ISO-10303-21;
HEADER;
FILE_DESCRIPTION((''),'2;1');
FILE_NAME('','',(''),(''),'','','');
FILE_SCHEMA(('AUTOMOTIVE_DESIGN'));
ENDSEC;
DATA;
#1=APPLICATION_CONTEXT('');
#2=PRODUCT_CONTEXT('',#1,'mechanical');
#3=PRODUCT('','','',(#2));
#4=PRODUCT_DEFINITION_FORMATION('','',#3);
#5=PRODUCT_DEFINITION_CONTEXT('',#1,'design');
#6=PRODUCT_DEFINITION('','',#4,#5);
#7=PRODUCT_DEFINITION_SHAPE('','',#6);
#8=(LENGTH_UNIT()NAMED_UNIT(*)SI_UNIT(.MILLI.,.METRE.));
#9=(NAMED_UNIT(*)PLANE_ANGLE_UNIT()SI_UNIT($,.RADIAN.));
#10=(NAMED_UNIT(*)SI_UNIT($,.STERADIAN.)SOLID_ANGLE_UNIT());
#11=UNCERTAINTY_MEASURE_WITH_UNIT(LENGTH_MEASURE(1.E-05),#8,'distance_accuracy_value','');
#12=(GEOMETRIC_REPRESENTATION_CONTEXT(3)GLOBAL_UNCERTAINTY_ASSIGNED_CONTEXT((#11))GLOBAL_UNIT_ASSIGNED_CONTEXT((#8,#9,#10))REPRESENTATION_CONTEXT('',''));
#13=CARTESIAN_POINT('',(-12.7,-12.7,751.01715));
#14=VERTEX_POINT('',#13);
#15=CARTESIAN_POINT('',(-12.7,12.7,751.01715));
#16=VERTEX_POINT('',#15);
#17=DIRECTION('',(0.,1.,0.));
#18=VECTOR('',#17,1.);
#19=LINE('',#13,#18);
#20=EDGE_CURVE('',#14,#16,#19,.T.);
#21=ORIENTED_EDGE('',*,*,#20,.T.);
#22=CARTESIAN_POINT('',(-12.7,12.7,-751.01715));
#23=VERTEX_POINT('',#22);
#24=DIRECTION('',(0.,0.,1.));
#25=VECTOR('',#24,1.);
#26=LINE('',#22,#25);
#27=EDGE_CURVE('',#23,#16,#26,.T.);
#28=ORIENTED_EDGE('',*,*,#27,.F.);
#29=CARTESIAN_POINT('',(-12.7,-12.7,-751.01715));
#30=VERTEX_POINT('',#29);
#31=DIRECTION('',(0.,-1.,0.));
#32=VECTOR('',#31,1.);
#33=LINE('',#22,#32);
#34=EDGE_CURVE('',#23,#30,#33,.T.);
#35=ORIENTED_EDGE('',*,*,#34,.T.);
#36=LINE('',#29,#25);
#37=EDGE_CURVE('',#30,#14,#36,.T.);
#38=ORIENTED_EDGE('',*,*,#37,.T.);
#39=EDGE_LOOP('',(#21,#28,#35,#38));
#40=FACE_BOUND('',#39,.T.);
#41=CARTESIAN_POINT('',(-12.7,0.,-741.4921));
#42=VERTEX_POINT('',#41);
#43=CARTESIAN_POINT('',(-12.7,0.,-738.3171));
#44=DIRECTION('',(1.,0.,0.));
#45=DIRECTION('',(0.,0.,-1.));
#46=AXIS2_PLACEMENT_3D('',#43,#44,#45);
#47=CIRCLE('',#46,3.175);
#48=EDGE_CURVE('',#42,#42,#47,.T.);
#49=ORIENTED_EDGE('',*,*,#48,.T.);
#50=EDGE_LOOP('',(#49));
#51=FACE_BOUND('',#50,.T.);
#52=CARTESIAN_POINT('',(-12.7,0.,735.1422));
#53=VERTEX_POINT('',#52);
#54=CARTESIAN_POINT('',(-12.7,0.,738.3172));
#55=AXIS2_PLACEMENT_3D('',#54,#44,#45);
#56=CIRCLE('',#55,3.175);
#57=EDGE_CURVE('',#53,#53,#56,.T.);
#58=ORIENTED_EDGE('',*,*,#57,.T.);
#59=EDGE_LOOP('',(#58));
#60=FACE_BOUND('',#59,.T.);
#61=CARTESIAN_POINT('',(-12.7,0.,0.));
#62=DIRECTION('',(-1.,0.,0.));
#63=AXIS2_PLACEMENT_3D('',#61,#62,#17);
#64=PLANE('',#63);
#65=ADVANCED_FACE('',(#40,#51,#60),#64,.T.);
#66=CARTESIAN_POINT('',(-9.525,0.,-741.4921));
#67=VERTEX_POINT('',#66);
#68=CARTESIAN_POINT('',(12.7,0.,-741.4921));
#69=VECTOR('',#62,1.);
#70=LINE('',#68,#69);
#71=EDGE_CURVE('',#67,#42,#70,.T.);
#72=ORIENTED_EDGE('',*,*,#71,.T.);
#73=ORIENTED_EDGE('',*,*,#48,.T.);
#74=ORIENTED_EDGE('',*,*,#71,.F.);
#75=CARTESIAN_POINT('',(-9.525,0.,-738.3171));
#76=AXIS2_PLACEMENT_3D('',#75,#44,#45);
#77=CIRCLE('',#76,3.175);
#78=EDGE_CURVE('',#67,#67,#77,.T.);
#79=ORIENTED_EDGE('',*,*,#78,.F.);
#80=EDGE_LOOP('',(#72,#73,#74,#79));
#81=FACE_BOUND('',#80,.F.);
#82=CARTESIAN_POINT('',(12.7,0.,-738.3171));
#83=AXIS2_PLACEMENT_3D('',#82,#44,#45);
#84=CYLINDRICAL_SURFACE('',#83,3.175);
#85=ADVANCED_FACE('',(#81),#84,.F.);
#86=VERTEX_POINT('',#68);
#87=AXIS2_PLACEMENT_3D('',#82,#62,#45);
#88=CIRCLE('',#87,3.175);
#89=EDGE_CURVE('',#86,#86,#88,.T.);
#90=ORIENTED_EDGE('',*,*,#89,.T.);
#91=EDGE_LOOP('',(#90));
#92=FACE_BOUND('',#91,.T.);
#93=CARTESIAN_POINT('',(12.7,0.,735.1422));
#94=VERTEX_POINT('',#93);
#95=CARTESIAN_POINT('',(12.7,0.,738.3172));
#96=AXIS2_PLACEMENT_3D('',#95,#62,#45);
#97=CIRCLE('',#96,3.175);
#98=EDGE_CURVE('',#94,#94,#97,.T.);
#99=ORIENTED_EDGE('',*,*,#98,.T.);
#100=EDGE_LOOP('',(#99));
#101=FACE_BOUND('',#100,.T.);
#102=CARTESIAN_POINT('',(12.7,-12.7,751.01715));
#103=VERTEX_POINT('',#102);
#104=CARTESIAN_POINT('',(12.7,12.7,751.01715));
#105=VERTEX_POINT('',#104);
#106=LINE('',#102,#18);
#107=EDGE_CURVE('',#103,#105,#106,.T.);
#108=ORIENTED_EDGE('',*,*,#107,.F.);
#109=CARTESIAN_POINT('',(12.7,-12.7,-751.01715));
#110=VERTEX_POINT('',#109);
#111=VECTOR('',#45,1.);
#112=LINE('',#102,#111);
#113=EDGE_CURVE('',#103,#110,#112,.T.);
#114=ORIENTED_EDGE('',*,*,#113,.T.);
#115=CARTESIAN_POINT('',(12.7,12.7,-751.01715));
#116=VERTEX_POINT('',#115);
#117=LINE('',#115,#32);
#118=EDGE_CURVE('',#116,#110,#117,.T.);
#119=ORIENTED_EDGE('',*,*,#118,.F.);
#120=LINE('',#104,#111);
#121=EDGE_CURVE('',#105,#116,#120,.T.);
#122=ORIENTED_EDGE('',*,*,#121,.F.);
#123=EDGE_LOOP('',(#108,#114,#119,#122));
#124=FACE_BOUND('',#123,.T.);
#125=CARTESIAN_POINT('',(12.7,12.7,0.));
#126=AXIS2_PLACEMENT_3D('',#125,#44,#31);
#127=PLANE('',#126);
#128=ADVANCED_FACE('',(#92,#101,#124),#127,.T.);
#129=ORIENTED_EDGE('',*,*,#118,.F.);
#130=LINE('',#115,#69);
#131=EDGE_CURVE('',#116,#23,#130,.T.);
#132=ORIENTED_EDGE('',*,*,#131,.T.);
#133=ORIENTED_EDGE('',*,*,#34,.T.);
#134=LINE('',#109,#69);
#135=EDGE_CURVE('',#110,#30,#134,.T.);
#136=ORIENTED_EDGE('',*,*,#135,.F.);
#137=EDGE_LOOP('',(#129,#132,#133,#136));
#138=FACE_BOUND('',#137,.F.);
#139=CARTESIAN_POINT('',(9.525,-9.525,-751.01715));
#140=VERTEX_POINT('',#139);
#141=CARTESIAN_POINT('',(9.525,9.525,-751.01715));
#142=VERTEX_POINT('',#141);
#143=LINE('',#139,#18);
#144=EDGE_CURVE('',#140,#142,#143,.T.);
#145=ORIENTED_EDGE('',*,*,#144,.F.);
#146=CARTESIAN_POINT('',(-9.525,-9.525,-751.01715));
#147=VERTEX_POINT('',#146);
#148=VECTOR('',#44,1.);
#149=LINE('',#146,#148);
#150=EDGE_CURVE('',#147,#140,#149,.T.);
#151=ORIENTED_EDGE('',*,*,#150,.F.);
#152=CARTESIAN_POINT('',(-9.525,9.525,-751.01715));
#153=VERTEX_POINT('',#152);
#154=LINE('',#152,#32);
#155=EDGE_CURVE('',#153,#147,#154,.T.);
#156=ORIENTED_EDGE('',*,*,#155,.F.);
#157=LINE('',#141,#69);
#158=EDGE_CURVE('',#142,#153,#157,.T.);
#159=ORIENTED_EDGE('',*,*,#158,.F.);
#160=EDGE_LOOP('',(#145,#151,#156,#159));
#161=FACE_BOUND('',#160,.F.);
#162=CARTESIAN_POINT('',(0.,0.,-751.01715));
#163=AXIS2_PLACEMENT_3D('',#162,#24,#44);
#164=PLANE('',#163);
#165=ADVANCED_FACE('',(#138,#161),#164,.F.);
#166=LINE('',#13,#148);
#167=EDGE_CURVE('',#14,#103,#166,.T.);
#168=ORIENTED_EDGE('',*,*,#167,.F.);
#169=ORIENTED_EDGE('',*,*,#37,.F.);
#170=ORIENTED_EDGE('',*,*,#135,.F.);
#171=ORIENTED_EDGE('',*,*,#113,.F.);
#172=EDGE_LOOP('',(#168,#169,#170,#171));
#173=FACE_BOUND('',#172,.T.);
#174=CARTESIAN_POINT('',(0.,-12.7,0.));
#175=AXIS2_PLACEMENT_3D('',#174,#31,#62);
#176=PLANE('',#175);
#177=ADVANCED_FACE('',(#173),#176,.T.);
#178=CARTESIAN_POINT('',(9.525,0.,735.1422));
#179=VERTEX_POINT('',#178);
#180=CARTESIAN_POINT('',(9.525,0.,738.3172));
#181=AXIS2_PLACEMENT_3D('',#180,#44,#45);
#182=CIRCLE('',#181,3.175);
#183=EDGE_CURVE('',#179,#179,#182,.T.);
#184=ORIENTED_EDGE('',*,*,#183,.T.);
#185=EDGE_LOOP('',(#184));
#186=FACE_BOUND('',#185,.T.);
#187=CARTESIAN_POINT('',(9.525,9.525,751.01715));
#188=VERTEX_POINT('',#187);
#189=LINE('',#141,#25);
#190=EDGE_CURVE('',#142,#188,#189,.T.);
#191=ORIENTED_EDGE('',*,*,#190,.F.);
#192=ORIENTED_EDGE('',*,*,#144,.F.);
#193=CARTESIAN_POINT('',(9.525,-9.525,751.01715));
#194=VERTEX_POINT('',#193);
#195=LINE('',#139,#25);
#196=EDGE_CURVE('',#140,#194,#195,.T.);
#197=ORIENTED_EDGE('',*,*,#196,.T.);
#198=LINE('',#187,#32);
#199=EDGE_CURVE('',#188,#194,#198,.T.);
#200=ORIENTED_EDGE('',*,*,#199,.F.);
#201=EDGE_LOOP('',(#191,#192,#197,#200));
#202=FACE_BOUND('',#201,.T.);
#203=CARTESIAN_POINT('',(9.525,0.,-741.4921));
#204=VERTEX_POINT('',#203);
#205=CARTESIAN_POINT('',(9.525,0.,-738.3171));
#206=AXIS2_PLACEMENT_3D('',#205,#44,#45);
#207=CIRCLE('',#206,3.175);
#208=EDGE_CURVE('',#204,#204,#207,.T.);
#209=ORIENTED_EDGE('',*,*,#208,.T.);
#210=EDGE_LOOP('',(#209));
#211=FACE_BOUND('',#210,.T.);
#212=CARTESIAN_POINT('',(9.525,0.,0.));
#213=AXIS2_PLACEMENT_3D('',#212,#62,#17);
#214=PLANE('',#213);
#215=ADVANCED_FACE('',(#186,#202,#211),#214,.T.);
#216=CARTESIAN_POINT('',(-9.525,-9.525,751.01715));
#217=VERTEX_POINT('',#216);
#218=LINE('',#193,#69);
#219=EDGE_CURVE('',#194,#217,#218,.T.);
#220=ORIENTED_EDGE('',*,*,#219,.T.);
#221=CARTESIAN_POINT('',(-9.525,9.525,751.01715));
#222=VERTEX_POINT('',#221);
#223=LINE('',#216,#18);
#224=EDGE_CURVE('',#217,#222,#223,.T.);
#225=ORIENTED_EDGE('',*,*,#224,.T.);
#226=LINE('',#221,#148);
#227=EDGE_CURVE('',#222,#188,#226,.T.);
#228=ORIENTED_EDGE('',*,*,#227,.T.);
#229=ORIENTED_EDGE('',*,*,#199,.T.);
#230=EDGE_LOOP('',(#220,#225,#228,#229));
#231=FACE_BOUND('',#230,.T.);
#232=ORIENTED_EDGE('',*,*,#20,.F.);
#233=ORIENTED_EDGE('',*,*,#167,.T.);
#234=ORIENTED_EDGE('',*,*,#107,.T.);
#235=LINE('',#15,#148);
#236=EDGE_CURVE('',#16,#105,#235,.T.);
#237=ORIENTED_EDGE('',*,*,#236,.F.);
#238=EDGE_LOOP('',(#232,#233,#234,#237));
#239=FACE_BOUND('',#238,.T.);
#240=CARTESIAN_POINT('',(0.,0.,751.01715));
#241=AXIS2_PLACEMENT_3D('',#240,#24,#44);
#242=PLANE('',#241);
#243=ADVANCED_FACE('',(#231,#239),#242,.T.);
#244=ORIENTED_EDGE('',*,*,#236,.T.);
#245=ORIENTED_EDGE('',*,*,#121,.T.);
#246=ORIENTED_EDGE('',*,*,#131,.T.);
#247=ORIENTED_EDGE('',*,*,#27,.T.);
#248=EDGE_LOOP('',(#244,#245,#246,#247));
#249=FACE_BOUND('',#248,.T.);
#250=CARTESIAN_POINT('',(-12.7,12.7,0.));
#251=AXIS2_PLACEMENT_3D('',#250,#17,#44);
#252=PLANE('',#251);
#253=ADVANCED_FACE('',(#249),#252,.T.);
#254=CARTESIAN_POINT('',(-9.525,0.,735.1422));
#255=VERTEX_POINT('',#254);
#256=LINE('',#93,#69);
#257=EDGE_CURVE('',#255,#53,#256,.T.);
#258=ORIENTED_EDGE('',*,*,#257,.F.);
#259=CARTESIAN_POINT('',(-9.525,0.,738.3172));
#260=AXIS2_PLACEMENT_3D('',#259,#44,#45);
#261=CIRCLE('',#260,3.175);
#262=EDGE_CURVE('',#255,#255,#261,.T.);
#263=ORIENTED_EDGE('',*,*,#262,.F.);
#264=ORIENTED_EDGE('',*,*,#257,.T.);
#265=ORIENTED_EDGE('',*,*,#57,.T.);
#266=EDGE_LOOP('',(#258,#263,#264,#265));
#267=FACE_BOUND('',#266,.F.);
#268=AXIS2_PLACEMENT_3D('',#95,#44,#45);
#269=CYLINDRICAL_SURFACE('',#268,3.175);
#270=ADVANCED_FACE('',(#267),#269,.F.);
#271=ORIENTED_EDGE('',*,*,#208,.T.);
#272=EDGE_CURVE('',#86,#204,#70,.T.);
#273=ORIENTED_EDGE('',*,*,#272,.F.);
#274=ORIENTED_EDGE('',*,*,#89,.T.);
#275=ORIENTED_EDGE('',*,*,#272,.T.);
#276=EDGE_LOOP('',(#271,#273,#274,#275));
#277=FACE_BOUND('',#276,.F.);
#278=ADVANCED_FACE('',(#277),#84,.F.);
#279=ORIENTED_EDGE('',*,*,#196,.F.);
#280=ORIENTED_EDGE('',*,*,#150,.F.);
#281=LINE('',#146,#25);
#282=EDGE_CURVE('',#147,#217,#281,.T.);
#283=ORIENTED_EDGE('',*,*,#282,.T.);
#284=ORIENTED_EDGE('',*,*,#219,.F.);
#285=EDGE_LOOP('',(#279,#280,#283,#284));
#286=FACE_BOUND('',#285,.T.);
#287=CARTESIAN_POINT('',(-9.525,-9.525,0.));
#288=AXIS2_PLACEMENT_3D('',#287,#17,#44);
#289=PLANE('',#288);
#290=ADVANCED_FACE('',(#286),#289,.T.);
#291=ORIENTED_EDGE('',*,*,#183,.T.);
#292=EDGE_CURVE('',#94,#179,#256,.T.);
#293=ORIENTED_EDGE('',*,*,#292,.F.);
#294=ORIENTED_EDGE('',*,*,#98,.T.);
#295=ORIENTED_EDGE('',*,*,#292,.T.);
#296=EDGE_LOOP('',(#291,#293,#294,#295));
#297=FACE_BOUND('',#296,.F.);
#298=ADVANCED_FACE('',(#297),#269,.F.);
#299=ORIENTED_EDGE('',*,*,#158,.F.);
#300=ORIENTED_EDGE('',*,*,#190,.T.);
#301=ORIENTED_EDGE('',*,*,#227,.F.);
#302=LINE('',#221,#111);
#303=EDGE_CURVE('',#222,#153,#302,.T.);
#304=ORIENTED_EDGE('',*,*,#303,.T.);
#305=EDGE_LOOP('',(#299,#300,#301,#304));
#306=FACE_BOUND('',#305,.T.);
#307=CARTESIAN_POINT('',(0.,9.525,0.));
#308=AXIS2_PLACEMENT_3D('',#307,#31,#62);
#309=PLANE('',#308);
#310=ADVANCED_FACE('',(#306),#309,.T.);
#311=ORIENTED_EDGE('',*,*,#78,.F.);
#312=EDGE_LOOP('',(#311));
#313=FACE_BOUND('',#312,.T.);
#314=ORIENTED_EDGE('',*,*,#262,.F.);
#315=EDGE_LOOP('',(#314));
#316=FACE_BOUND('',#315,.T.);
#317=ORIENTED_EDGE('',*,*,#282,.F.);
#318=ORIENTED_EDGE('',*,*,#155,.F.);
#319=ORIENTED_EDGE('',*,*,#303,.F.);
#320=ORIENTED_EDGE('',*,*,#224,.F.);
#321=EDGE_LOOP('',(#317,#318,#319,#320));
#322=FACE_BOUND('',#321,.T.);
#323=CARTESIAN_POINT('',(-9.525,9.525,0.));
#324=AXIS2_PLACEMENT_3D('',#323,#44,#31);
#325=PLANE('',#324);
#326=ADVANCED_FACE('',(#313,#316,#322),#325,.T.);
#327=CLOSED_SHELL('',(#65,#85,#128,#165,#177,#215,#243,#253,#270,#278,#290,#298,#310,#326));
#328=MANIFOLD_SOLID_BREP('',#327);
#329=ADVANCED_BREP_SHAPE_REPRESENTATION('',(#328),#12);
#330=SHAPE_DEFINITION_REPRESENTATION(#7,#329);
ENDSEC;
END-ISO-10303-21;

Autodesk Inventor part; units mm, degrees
ref_plane "YZ Plane" through (0, 0, 0) normal (1, 0, 0) x (0, 1, 0)
ref_plane "XZ Plane" through (0, 0, 0) normal (0, 1, 0) x (-1, 0, 0)
ref_plane "XY Plane" through (0, 0, 0) normal (0, 0, 1) x (1, 0, 0)
sketch "Sketch1" plane through (0, 0, 0) normal (0, 0, 1) x (1, 0, 0)
  line L0 (-12.7, 12.7) -> (12.7, 12.7)
  line L1 (12.7, 12.7) -> (12.7, -12.7)
  line L2 (12.7, -12.7) -> (-12.7, -12.7)
  line L3 (-12.7, -12.7) -> (-12.7, 12.7)
  line L4 (0, 17.78) -> (0, -17.78) projected
  line L5 (-17.78, 0) -> (17.78, 0) projected
  line L6 (9.525, 9.525) -> (-9.525, 9.525)
  line L7 (-9.525, 9.525) -> (-9.525, -9.525)
  line L8 (-9.525, -9.525) -> (9.525, -9.525)
  line L9 (9.525, -9.525) -> (9.525, 9.525)
  point P0 (0, 0)
  dimension "d0" = 25.4
  dimension "d1" = 3.175
extrude "Extrusion1" add sketch "Sketch1" along normal mid plane 1502.0343 contours L0 L4 L6 L7 L5 L3 | L0 L1 L5 L9 L6 L4 | L5 L7 L8 L4 L2 L3 | L1 L2 L4 L8 L9 L5
sketch "Sketch2" plane through (12.7, 12.7, 751.0172) normal (1, 0, 0) x (0, 0, -1)
  line L0 (-300.4069, -12.7) -> (1802.4412, -12.7) projected
  line L1 (751.0172, -30.48) -> (751.0172, 5.08) projected
  circle A0 centre (12.7, -12.7) radius 3.175
  circle A1 centre (1489.3343, -12.7) radius 3.175
  point P0 (751.0172, -12.7)
  dimension "d4" = 1476.6343
  dimension "d5" = 6.35
extrude "Extrusion2" cut sketch "Sketch2" against normal up to surface (25.4 mm away)
equation "\"d2\" = Length"
equation "\"d6\" = Length"
equation "\"Length\" = 1502.034303"
properties part number "NTowerSupport" material "Aluminum 6061"
